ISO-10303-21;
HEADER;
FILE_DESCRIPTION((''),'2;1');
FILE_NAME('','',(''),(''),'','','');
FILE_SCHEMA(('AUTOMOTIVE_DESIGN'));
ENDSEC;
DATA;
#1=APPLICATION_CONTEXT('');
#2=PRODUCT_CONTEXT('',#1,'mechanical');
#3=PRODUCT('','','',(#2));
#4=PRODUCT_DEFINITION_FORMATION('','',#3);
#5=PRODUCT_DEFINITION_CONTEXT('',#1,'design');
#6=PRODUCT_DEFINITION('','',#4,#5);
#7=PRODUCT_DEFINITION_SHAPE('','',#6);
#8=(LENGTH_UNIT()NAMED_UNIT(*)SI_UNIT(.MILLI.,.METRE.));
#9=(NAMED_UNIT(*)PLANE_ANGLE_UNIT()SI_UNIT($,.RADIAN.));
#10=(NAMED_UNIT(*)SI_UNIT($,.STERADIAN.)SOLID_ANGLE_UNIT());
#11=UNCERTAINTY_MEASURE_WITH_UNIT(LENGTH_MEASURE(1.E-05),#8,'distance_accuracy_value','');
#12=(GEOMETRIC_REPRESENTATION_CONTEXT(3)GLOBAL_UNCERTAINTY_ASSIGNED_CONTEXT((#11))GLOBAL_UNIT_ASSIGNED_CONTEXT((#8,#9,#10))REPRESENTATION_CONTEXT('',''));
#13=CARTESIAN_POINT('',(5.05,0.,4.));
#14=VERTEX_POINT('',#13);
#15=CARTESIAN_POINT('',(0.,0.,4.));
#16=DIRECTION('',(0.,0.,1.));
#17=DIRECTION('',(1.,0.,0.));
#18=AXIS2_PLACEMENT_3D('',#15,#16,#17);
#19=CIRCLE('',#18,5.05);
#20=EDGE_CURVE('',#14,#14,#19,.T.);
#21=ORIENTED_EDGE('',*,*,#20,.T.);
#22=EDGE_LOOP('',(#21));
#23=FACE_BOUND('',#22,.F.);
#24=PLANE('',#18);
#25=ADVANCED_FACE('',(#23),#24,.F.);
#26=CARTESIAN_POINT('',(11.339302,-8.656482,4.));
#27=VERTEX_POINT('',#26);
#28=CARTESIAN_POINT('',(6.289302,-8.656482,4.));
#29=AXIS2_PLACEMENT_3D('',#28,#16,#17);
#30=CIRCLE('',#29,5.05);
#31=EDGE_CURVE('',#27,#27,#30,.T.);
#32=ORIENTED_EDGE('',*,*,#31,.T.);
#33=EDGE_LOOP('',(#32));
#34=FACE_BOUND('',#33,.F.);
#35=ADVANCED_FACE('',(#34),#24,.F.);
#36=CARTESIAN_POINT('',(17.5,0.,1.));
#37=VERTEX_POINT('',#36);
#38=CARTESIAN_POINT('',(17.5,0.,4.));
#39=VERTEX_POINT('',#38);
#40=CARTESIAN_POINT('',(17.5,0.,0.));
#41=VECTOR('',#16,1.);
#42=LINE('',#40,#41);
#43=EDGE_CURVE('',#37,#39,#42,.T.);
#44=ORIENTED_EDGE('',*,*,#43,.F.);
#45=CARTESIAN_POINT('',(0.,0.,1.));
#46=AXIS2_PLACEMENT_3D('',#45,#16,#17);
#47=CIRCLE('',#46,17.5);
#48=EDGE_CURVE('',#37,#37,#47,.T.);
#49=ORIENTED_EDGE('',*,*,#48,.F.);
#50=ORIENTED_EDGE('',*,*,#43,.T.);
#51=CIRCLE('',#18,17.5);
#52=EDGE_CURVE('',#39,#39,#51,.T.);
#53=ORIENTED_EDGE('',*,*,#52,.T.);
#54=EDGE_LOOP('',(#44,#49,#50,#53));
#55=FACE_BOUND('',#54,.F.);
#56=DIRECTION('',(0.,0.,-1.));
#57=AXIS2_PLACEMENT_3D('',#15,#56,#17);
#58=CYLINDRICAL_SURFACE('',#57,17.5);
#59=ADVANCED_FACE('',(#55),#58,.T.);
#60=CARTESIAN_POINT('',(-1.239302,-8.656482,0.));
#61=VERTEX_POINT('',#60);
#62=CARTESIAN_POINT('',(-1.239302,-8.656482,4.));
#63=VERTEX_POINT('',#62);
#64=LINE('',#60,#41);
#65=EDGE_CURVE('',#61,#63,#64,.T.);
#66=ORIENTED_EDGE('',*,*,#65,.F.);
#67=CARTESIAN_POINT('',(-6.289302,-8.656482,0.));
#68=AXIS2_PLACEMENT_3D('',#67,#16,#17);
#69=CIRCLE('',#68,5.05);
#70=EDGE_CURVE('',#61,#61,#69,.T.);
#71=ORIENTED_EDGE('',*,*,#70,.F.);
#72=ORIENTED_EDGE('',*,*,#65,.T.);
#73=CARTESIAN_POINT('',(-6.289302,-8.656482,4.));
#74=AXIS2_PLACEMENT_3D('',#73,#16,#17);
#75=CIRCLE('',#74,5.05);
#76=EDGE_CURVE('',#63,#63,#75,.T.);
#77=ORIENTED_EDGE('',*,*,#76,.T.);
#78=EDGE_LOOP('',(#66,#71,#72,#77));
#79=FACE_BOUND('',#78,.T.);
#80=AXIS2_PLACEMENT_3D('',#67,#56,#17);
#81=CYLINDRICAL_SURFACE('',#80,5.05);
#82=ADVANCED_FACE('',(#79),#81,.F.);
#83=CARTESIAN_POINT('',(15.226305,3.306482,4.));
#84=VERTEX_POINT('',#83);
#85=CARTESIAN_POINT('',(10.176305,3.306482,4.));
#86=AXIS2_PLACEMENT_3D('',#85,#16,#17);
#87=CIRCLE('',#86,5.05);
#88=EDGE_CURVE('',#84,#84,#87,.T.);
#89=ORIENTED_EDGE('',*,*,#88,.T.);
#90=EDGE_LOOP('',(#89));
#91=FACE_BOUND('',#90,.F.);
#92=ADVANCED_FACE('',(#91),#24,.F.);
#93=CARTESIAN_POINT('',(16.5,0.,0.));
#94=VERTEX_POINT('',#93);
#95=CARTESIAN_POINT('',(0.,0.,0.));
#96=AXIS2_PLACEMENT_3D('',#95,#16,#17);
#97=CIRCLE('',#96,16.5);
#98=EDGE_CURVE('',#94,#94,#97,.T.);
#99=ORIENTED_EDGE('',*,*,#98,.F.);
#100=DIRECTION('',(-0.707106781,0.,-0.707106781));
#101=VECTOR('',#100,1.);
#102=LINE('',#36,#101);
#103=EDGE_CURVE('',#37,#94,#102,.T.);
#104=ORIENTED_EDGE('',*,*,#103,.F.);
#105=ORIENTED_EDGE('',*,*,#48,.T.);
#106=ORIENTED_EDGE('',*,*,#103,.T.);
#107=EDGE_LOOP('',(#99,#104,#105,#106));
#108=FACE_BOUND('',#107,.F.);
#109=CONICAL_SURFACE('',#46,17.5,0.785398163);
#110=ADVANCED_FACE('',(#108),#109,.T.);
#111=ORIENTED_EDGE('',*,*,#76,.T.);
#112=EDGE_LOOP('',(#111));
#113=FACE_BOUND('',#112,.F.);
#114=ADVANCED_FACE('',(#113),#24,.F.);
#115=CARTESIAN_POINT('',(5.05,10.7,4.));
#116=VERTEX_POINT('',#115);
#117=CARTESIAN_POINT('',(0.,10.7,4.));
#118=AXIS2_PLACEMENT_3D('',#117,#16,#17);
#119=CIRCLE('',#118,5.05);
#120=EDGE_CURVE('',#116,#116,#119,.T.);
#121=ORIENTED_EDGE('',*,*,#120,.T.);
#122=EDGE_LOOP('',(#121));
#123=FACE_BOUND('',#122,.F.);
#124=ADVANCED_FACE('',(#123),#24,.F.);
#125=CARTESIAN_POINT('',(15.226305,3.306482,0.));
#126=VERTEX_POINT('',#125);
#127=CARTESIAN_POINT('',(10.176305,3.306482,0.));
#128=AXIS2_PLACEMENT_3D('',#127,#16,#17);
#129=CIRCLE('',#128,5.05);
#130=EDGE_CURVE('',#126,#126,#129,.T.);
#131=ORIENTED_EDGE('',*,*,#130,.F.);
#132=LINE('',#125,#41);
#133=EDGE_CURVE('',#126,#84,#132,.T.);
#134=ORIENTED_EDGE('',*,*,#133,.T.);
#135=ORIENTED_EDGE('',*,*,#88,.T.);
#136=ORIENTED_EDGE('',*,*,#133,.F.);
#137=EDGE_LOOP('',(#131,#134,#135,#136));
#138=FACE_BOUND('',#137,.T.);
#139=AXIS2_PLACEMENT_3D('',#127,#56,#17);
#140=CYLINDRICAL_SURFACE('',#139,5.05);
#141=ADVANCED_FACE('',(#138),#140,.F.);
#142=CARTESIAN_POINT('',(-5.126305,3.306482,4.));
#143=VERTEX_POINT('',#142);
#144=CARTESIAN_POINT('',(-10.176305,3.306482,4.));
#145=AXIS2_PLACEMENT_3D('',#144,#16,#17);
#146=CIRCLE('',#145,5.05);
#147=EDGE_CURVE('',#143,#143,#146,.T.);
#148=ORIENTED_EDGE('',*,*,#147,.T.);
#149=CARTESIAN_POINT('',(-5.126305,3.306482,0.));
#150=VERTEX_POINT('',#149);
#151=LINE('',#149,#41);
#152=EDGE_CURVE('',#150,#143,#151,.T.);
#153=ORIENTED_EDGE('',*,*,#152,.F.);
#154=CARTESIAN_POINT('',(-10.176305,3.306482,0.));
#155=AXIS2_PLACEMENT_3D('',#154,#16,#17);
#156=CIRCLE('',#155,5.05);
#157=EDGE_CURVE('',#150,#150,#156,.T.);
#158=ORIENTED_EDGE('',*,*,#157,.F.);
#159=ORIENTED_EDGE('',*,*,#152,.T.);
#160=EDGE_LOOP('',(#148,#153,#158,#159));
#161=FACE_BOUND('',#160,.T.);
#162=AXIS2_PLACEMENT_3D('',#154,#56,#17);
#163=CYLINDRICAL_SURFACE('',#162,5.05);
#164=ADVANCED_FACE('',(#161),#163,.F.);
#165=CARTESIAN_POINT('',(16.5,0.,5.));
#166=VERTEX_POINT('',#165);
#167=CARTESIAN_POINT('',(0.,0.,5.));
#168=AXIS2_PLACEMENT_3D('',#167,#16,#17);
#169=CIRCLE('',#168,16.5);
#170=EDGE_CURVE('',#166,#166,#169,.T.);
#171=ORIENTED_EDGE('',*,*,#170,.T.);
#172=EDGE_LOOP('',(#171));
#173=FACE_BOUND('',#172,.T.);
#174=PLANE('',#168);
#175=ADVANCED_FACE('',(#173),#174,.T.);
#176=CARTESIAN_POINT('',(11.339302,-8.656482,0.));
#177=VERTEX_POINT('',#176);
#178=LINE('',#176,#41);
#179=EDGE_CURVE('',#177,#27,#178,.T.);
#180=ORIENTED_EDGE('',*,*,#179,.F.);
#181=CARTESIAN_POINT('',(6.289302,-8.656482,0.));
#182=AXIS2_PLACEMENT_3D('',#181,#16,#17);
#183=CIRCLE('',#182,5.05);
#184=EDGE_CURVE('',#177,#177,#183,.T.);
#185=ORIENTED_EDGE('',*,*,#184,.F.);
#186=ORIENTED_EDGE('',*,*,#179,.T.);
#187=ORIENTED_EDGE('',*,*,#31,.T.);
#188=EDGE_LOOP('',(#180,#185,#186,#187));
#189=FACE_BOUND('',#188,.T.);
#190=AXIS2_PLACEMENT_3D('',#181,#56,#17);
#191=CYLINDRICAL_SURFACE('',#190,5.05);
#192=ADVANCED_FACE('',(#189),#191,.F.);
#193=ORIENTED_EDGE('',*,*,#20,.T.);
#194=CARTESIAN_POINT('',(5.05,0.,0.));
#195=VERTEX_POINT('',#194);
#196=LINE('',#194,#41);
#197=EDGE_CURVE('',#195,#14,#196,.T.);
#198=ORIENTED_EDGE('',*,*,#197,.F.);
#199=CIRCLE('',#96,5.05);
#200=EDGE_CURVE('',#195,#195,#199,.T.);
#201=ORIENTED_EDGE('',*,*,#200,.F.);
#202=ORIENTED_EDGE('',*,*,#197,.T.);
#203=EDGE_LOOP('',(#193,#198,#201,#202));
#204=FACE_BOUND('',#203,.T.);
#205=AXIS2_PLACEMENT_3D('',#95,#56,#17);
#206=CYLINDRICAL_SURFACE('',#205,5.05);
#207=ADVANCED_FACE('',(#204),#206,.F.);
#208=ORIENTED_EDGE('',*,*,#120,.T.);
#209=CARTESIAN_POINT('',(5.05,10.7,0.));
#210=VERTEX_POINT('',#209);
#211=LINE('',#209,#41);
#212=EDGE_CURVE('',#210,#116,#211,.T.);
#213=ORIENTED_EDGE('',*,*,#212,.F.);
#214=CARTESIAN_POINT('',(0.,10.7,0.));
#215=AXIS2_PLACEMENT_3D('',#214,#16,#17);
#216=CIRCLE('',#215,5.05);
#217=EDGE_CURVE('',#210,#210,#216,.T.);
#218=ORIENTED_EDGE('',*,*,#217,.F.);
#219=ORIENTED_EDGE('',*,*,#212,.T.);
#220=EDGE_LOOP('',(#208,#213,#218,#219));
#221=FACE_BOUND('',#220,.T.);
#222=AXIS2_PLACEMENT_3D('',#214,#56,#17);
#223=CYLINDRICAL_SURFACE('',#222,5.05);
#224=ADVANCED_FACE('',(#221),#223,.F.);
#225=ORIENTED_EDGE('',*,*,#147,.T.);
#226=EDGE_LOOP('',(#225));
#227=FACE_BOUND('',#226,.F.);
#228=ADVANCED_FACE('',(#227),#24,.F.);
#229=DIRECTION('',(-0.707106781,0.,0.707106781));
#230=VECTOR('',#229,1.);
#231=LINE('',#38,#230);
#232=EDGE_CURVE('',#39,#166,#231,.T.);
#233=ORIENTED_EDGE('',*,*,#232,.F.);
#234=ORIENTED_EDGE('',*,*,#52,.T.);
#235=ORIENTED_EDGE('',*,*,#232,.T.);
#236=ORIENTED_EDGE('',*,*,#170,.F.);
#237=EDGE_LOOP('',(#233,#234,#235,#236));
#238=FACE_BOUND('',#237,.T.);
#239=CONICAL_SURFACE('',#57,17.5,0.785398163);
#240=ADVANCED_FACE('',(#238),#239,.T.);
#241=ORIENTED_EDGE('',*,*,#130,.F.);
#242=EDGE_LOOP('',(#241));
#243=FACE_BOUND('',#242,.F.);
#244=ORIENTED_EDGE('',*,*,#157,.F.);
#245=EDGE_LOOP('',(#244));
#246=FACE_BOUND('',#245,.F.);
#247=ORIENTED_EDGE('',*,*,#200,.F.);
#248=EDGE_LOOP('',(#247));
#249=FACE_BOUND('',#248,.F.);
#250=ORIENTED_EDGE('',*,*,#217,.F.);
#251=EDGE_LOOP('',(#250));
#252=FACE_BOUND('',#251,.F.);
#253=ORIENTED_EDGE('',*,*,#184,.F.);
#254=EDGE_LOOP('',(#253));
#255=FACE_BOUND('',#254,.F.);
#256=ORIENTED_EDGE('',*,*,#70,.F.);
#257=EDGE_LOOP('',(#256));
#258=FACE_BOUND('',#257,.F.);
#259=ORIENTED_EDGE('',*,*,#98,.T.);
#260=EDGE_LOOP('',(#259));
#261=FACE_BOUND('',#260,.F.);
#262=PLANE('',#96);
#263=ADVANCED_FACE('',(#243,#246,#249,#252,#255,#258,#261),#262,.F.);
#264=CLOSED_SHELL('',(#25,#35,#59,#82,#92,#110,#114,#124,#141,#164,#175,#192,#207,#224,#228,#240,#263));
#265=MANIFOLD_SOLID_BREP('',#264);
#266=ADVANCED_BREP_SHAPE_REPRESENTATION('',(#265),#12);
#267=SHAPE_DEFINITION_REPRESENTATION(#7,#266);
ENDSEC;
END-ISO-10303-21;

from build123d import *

# Parameters (mm, degrees)
F0_R     = 17.5
F0_R_2   = 5.05
F1_DEPTH = 4
F2_R     = 17.5
F3_DEPTH = 1
F4_SIZE  = 1
F5_SIZE  = 1


with BuildPart() as f1:
    # F0 (on Top) → F1 (new body)
    with BuildSketch(Plane.XY):
        Circle(F0_R)
        with Locations((-6.289302, -8.656482)):
            Circle(F0_R_2, mode=Mode.SUBTRACT)
        with Locations((6.289302, -8.656482)):
            Circle(F0_R_2, mode=Mode.SUBTRACT)
        with Locations((-10.176305, 3.306482)):
            Circle(F0_R_2, mode=Mode.SUBTRACT)
        Circle(F0_R_2, mode=Mode.SUBTRACT)
        with Locations((10.176305, 3.306482)):
            Circle(F0_R_2, mode=Mode.SUBTRACT)
        with Locations((0, 10.7)):
            Circle(F0_R_2, mode=Mode.SUBTRACT)
    extrude(amount=F1_DEPTH)

    # F2 (on face) → F3 (join)
    with BuildSketch(Plane.XY.offset(4)):
        Circle(F2_R)
    extrude(amount=F3_DEPTH)

    # F4
    f4_edges = [f1.edges().sort_by_distance(p)[0] for p in [
        (-17.5, 0, 0),
    ]]
    chamfer(f4_edges, length=F4_SIZE)

    # F5
    f5_edges = [f1.edges().sort_by_distance(p)[0] for p in [
        (-17.5, 0, 5),
    ]]
    chamfer(f5_edges, length=F5_SIZE)


solid = f1.part
